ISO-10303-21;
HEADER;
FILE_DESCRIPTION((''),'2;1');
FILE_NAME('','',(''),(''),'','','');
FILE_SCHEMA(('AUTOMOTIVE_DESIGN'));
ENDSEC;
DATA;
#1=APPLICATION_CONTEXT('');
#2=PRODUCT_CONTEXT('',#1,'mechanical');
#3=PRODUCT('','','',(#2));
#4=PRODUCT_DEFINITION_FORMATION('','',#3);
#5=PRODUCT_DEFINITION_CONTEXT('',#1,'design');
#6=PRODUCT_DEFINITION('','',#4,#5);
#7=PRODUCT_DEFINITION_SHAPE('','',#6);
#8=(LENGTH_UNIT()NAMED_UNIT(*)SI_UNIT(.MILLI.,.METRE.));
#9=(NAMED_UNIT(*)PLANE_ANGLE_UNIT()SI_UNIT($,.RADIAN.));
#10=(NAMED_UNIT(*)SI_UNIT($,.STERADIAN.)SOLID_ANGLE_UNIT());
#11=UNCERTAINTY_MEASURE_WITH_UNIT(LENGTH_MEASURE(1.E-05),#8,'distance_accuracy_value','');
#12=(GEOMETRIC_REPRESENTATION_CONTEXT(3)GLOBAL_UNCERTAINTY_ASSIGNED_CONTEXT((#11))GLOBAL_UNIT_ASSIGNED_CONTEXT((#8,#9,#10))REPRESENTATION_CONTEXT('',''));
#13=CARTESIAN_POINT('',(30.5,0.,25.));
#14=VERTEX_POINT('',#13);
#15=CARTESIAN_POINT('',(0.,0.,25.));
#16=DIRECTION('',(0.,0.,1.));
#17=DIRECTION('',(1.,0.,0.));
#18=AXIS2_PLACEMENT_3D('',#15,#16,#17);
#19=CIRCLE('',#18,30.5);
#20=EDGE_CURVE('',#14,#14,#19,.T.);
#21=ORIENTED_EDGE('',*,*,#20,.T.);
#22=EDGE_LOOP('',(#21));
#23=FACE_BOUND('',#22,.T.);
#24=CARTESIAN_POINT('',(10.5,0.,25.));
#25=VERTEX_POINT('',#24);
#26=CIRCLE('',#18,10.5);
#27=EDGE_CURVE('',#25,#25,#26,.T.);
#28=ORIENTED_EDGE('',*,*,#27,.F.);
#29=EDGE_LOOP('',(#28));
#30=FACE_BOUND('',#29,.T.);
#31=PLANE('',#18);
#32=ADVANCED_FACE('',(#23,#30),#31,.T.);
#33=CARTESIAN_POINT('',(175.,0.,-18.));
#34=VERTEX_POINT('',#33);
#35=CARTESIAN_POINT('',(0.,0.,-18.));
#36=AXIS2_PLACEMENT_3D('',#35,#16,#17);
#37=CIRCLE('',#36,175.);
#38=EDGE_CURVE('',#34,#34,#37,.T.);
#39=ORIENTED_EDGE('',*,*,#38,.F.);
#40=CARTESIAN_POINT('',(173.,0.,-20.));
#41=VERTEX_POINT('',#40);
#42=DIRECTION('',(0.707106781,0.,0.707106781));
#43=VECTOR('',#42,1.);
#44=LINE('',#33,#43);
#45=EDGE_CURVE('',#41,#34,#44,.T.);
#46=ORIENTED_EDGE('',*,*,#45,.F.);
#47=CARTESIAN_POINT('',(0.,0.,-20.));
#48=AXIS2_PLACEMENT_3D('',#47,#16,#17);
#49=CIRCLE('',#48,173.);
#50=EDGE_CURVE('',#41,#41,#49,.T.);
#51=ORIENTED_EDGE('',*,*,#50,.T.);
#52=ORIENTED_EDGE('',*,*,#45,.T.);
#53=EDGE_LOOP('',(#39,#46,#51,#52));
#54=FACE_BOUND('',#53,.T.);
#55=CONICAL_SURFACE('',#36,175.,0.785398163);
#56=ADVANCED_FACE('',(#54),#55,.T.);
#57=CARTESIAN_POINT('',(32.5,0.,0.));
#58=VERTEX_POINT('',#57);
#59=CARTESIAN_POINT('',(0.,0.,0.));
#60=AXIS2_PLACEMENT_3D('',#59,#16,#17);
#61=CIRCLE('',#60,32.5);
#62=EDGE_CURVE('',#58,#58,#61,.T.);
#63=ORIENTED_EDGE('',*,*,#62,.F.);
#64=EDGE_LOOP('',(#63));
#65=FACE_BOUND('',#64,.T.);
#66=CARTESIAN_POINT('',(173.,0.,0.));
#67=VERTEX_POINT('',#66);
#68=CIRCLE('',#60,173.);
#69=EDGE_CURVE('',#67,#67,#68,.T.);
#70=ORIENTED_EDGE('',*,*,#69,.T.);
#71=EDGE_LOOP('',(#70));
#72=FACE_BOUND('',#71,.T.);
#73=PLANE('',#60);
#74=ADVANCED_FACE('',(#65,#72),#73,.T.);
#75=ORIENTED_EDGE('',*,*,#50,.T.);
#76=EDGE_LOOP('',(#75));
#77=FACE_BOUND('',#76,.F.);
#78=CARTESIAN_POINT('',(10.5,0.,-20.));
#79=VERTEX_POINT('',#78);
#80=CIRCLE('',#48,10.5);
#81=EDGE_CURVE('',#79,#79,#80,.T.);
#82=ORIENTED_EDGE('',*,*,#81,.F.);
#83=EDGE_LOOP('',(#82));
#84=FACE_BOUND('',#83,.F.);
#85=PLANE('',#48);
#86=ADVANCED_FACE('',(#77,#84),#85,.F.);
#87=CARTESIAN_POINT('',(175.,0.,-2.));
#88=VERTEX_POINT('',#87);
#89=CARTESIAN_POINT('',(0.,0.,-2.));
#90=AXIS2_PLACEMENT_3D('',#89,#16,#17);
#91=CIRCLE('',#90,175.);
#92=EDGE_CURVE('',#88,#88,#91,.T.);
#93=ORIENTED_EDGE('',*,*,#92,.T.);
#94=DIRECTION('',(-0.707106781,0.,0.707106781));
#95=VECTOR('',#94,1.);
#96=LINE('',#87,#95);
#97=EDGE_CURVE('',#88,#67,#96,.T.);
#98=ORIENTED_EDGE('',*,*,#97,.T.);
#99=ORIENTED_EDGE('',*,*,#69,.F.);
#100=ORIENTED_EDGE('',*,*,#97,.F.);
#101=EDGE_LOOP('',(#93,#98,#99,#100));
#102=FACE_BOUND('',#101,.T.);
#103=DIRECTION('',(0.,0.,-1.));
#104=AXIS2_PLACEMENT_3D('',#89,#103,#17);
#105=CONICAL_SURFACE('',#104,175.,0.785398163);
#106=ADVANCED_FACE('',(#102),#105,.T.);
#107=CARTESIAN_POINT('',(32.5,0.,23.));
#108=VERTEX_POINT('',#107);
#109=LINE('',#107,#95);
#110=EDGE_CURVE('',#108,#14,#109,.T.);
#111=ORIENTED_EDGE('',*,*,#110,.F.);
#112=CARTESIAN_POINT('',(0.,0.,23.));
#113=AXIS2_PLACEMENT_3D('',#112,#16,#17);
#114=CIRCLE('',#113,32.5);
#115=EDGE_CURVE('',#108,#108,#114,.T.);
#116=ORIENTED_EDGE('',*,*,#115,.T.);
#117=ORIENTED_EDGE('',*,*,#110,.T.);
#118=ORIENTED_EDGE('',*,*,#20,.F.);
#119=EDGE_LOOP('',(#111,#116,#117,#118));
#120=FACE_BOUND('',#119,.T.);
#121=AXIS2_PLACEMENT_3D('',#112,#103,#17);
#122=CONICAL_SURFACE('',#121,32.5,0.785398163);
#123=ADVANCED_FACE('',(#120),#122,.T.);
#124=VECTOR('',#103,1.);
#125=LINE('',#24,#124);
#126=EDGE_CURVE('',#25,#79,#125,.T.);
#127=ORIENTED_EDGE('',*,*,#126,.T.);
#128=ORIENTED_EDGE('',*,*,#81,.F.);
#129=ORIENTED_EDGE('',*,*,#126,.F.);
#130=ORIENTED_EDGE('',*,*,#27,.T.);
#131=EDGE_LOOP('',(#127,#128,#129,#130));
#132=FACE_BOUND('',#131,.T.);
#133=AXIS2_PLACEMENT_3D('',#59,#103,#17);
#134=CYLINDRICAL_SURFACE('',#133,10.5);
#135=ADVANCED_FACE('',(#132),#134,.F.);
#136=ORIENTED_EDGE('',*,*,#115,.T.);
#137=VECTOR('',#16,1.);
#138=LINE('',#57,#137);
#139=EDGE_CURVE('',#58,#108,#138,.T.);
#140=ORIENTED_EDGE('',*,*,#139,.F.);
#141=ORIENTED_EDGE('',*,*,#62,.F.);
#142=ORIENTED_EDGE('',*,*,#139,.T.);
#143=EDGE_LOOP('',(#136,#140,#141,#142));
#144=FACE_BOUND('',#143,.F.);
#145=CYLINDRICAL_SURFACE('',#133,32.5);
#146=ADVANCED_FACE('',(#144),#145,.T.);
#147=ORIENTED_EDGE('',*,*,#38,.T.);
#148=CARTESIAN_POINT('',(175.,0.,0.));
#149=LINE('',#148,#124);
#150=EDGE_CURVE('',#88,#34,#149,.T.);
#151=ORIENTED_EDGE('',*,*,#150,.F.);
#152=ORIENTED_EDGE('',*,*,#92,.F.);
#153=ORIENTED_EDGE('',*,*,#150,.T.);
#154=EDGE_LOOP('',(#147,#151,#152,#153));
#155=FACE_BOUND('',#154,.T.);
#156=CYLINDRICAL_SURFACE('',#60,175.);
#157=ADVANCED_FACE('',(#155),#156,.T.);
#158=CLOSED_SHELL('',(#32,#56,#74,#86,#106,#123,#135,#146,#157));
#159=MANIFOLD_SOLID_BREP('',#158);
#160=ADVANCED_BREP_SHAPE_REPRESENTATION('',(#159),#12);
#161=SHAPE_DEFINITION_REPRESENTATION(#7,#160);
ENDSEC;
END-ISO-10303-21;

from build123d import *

# Parameters (mm, degrees)
F0_R     = 175
F0_R_2   = 32.5
F0_R_3   = 10.5
F1_DEPTH = 20
F2_DEPTH = 25
F3_SIZE  = 2


with BuildPart() as f1:
    # F0 (on Top) → F1 (new body)
    with BuildSketch(Plane.XY):
        Circle(F0_R)
        Circle(F0_R_2, mode=Mode.SUBTRACT)
        Circle(F0_R_2)
        Circle(F0_R_3, mode=Mode.SUBTRACT)
    extrude(amount=-F1_DEPTH)

    # F0 (on Top) → F2 (join)
    with BuildSketch(Plane.XY):
        Circle(F0_R_2)
        Circle(F0_R_3, mode=Mode.SUBTRACT)
    extrude(amount=F2_DEPTH)

    # F3
    f3_edges = [f1.edges().sort_by_distance(p)[0] for p in [
        (-175, 0, 0),
        (-175, 0, -20),
        (-32.5, 0, 25),
    ]]
    chamfer(f3_edges, length=F3_SIZE)


solid = f1.part
